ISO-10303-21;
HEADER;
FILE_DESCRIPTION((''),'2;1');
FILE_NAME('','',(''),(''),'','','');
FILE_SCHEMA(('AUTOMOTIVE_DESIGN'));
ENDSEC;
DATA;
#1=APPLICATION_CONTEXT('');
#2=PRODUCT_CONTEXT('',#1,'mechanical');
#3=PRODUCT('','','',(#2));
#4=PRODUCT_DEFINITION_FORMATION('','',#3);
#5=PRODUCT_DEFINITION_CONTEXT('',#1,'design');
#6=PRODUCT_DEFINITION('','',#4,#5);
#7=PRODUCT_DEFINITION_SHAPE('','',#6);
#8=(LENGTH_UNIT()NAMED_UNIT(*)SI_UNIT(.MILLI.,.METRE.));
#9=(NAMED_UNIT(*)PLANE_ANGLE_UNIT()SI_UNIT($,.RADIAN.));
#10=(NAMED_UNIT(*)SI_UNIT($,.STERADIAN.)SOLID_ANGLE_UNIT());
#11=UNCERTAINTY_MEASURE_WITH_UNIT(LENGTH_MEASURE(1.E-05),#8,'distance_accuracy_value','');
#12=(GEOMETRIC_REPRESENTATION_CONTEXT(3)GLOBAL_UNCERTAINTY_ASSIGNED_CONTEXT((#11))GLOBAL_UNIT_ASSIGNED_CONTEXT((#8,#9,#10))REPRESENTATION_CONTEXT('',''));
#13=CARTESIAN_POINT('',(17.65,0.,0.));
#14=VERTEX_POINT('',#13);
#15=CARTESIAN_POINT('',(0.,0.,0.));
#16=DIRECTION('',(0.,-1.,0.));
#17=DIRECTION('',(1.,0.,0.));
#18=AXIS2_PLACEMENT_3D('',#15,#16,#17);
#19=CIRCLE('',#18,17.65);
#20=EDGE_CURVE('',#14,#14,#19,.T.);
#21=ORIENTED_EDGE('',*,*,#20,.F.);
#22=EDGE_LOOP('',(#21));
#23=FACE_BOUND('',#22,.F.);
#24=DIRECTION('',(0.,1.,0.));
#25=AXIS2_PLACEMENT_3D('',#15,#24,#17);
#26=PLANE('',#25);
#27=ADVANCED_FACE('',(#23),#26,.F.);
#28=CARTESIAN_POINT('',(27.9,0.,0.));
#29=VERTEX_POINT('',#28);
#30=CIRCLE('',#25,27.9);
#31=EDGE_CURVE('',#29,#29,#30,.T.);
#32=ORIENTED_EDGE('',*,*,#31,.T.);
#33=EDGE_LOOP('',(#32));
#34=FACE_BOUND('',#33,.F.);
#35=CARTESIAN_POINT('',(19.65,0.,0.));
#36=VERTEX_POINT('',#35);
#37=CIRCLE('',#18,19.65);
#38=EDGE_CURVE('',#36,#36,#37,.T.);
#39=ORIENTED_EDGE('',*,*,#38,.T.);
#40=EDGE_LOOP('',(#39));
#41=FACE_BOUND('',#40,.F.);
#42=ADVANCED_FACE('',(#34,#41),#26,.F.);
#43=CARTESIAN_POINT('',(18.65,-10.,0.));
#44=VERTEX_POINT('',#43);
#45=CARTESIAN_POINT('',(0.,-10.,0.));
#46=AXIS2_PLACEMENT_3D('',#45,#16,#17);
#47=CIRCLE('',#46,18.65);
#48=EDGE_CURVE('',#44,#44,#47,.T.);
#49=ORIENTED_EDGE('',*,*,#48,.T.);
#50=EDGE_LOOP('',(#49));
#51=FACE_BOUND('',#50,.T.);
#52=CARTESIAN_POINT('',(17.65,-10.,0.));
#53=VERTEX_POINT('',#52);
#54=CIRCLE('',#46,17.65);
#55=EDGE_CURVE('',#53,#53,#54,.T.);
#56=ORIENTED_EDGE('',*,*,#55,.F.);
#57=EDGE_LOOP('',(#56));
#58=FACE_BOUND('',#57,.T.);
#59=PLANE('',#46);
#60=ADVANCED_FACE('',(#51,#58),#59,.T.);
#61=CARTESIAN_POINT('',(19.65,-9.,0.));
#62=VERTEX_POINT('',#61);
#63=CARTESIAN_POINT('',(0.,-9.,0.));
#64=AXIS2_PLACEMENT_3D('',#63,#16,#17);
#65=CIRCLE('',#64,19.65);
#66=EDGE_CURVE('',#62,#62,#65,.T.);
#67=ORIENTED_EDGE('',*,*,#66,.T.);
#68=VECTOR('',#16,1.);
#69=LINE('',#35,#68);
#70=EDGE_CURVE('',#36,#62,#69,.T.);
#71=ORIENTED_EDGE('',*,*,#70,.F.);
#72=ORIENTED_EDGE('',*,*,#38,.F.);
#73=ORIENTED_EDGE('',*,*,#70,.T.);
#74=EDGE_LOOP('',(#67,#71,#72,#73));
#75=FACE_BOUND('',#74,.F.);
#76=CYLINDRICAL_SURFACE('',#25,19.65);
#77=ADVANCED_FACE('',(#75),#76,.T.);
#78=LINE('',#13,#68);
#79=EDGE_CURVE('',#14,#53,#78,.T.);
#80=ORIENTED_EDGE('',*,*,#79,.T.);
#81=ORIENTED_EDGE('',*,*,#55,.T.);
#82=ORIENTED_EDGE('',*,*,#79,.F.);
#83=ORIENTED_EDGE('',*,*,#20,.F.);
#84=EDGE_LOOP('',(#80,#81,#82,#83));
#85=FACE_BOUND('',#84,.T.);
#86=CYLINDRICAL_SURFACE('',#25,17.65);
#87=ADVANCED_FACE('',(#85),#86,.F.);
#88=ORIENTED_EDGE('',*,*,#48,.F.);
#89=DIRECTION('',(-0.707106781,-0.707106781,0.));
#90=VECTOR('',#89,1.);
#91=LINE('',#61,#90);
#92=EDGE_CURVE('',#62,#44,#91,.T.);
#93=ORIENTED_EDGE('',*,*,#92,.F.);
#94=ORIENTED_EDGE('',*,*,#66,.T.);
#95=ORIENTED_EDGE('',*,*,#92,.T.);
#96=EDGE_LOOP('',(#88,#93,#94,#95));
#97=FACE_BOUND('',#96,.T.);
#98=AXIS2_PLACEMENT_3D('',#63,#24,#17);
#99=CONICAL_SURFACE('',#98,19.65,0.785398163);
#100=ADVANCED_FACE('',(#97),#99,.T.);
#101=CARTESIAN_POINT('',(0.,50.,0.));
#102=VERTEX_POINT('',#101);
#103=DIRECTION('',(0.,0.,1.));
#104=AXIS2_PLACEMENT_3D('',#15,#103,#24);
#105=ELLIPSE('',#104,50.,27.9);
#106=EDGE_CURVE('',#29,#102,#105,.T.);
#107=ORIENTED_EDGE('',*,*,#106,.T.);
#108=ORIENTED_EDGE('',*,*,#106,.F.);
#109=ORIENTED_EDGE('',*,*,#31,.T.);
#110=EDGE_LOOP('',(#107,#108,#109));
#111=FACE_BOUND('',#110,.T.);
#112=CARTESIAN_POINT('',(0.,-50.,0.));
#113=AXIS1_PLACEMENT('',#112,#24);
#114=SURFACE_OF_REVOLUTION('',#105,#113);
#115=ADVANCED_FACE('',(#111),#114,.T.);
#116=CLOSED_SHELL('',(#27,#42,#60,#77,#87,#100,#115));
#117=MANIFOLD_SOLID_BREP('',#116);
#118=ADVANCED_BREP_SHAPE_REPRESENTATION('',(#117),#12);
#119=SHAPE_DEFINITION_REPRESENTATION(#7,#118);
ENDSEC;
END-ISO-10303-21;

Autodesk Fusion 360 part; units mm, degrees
sketch "Sketch1" plane through (0, 0, 0) normal (0, 0, 1) x (1, 0, 0)
  ellipse E0 centre (0, 0) end of major axis (0, 50) minor radius 27.9
  line L0 (0, -50) -> (0, 50)
  line L1 (27.9, 0) -> (-27.9, 0)
  line L2 (27.9, 0) -> (-27.9, 0)
  line L3 (0, -50) -> (0, 50)
  dimension "d1" = 100
  dimension "d2" = 55.8
revolve "Revolve1" add sketch "Sketch1" angle 360 about axis through (0, -50, 0) along (0, 1, 0) contours E0 L0 L1 L2 L3 picked at (5.5014, 30.1044)
sketch "Sketch2" plane through (0, 0, 0) normal (0, -1, 0) x (1, 0, 0)
  circle A0 centre (0, 0) radius 27.9
  circle A1 centre (0, 0) radius 27.9
  circle A2 centre (0, 0) radius 27.15 construction
  circle A3 centre (0, 0) radius 20.65 construction
  circle A4 centre (0, 0) radius 19.65
  circle A5 centre (0, 0) radius 17.65
  dimension "d19" = 41.3
  dimension "d21" = -3
extrude "Extrude2" add sketch "Sketch2" along normal blind 10 contours A4
sketch "Sketch3" plane through (0, 0, 0) normal (0, -1, 0) x (1, 0, 0)
  circle A0 centre (0, 0) radius 17.65
shell "Shell3" thickness 1 removed faces 1 at (1.7237, 0, -3.6114)
chamfer "Chamfer2" distance 1 angle 45 1 edges at (-18.3202, -10, -7.1057)
equation "d2 = 2 in + 5 mm"
equation "cardboard_offset = 0.75 mm"
equation "fit_offset = 1 mm"
equation "d19 = ( 20.65 * 2 ) * 1 mm"
equation "d21 = -fit_offset - 2 mm"
